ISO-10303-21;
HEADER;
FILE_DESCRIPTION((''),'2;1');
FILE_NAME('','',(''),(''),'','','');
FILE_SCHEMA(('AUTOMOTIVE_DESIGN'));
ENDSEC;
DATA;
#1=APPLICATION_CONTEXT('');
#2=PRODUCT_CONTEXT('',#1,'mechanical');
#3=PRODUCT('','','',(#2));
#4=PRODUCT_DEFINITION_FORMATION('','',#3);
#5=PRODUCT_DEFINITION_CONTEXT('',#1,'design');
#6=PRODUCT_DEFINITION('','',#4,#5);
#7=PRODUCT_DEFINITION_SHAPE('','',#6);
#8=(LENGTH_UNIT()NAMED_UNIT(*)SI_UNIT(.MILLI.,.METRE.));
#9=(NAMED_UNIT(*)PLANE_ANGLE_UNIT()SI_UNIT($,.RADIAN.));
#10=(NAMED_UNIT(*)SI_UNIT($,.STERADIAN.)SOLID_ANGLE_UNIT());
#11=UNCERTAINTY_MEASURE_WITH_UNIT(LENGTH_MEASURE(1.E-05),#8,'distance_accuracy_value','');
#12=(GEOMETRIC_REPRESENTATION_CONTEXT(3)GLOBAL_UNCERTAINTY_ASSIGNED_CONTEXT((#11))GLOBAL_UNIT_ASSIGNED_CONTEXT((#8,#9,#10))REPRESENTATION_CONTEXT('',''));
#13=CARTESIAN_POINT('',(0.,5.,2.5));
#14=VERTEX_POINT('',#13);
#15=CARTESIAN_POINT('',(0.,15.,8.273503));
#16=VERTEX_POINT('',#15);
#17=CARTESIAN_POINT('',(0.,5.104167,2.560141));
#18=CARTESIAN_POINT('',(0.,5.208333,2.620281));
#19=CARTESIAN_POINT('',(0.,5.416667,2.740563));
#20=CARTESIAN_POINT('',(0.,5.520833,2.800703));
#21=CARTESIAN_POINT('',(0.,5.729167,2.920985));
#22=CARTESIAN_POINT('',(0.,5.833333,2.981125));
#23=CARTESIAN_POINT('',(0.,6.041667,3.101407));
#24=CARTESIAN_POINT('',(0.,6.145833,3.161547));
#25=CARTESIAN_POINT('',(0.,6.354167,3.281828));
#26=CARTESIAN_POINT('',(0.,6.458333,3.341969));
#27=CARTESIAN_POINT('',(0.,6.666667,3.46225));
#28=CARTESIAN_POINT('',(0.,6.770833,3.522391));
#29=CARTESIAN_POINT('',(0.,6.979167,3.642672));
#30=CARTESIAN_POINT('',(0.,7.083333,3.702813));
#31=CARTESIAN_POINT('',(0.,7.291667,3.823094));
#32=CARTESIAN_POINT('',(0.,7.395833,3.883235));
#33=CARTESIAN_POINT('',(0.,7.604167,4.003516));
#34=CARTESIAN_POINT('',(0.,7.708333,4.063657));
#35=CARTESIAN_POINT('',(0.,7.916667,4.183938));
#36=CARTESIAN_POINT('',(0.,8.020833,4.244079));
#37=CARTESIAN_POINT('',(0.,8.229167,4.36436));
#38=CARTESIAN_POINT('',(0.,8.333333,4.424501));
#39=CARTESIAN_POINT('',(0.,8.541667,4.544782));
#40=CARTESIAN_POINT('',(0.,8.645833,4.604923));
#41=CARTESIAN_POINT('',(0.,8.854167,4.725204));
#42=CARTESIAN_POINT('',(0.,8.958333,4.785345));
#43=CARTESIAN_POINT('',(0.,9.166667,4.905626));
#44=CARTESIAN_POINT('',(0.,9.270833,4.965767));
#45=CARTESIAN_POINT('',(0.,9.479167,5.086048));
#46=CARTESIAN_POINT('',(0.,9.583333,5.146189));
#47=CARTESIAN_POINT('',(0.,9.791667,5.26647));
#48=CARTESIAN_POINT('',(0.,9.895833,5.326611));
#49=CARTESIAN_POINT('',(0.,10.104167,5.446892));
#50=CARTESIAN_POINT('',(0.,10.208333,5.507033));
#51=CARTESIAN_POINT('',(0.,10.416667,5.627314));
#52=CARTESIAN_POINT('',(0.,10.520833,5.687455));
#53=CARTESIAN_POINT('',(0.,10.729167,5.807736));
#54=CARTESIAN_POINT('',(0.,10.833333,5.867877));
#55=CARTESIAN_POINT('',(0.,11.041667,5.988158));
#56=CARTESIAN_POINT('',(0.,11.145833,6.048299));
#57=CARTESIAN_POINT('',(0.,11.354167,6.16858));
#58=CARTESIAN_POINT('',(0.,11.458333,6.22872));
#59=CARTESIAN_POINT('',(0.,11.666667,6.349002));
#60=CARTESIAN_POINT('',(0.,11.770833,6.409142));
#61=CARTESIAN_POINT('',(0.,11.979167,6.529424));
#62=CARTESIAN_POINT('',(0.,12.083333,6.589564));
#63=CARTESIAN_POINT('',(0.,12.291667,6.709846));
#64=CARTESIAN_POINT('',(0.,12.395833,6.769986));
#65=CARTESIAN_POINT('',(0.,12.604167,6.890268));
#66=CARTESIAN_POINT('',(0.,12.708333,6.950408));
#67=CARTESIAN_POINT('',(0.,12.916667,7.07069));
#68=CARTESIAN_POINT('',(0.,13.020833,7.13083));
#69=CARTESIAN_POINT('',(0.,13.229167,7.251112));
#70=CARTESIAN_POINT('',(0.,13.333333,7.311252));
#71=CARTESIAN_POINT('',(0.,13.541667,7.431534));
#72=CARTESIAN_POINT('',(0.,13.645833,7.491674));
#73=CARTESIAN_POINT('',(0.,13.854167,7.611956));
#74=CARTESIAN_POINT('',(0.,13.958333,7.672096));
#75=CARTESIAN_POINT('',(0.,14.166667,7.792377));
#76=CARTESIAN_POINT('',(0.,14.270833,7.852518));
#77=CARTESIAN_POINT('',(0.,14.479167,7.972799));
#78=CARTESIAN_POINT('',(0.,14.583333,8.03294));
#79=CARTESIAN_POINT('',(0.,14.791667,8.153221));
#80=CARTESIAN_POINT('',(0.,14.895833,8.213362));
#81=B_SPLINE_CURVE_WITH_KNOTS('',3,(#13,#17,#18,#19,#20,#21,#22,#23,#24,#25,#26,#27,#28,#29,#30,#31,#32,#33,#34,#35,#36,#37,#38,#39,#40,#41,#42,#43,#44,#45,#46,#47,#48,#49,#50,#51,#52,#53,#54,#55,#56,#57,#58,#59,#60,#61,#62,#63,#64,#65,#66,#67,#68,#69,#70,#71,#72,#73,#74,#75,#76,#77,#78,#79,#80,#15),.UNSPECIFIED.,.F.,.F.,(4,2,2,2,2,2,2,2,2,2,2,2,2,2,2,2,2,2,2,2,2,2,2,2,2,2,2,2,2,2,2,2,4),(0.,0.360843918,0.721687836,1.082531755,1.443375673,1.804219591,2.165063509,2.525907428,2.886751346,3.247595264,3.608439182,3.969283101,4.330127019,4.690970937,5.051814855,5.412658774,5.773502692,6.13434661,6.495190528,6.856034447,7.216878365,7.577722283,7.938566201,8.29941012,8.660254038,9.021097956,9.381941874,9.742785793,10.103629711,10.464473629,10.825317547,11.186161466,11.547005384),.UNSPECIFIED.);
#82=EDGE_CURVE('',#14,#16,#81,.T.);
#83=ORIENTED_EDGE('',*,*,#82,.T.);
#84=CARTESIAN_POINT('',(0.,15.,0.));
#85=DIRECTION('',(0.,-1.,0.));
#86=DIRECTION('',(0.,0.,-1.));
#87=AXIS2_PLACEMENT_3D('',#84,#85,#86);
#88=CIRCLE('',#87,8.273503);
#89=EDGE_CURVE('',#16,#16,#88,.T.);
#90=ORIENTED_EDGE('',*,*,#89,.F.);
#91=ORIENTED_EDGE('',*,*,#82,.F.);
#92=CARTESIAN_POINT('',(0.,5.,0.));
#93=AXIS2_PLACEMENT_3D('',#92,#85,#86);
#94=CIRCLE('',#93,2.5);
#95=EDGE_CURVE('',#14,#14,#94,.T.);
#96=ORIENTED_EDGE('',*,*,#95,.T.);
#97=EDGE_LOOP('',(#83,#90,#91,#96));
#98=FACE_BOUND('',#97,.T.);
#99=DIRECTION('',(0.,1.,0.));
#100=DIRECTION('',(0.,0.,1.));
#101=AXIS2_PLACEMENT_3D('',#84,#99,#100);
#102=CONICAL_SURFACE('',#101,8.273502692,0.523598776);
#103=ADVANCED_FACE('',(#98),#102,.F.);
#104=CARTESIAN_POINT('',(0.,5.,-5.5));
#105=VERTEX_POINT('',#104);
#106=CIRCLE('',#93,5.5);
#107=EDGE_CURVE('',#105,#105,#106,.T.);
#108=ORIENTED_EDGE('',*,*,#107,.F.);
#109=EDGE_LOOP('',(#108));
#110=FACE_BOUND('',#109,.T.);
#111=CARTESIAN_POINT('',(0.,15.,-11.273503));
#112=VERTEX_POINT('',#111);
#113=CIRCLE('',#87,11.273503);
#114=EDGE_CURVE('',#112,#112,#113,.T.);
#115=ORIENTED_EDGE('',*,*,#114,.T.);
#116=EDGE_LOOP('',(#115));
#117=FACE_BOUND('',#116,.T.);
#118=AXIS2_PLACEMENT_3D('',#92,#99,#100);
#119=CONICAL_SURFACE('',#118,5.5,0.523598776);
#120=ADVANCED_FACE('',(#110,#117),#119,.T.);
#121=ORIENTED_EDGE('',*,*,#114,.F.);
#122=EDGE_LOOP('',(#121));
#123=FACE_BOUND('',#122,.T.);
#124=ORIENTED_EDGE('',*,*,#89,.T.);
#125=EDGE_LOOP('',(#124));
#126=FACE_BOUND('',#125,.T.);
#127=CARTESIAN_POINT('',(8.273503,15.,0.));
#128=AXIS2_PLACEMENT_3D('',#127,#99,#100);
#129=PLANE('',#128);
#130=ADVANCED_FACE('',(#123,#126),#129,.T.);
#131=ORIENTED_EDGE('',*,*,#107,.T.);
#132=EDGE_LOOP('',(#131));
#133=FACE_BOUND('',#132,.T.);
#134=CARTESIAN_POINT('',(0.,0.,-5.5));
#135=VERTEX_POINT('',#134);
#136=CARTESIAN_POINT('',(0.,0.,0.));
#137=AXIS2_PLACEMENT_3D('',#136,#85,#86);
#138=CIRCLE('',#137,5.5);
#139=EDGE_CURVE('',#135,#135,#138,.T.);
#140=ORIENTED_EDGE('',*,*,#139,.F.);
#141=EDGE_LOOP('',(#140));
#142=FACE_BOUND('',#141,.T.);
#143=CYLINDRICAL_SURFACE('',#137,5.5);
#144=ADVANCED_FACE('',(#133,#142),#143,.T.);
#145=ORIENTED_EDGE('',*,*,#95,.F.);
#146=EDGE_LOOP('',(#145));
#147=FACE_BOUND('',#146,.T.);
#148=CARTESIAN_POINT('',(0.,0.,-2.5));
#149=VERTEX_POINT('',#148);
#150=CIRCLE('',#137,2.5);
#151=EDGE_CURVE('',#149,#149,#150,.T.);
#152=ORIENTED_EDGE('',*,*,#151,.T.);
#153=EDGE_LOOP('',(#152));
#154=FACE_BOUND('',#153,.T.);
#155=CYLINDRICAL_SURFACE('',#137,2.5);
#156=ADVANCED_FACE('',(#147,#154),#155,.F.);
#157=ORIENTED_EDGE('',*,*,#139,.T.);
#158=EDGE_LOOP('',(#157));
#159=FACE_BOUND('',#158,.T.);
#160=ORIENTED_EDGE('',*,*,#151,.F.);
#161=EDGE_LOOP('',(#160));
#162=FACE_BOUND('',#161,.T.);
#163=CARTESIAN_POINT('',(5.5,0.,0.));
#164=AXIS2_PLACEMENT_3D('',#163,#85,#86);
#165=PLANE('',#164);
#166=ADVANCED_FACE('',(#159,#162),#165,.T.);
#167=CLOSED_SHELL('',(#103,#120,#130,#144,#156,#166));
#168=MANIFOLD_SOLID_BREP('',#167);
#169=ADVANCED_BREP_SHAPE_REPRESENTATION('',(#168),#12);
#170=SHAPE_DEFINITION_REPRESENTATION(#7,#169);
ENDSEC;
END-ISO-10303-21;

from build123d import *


with BuildPart() as part:
    # Esquisse1 → Révolution1 (revolve)
    with BuildSketch(Plane.XY, mode=Mode.PRIVATE) as r_volution1_sk:
        Polygon((2.5, 0), (2.5, 5), (8.273502692, 15), (11.273502692, 15), (5.5, 5), (5.5, 0), align=None)
    revolve(r_volution1_sk.sketch.rotate(Axis((0, 0, 0), (0, 1, 0)), 90), axis=Axis((0, 0, 0), (0, 1, 0)))


solid = part.part
